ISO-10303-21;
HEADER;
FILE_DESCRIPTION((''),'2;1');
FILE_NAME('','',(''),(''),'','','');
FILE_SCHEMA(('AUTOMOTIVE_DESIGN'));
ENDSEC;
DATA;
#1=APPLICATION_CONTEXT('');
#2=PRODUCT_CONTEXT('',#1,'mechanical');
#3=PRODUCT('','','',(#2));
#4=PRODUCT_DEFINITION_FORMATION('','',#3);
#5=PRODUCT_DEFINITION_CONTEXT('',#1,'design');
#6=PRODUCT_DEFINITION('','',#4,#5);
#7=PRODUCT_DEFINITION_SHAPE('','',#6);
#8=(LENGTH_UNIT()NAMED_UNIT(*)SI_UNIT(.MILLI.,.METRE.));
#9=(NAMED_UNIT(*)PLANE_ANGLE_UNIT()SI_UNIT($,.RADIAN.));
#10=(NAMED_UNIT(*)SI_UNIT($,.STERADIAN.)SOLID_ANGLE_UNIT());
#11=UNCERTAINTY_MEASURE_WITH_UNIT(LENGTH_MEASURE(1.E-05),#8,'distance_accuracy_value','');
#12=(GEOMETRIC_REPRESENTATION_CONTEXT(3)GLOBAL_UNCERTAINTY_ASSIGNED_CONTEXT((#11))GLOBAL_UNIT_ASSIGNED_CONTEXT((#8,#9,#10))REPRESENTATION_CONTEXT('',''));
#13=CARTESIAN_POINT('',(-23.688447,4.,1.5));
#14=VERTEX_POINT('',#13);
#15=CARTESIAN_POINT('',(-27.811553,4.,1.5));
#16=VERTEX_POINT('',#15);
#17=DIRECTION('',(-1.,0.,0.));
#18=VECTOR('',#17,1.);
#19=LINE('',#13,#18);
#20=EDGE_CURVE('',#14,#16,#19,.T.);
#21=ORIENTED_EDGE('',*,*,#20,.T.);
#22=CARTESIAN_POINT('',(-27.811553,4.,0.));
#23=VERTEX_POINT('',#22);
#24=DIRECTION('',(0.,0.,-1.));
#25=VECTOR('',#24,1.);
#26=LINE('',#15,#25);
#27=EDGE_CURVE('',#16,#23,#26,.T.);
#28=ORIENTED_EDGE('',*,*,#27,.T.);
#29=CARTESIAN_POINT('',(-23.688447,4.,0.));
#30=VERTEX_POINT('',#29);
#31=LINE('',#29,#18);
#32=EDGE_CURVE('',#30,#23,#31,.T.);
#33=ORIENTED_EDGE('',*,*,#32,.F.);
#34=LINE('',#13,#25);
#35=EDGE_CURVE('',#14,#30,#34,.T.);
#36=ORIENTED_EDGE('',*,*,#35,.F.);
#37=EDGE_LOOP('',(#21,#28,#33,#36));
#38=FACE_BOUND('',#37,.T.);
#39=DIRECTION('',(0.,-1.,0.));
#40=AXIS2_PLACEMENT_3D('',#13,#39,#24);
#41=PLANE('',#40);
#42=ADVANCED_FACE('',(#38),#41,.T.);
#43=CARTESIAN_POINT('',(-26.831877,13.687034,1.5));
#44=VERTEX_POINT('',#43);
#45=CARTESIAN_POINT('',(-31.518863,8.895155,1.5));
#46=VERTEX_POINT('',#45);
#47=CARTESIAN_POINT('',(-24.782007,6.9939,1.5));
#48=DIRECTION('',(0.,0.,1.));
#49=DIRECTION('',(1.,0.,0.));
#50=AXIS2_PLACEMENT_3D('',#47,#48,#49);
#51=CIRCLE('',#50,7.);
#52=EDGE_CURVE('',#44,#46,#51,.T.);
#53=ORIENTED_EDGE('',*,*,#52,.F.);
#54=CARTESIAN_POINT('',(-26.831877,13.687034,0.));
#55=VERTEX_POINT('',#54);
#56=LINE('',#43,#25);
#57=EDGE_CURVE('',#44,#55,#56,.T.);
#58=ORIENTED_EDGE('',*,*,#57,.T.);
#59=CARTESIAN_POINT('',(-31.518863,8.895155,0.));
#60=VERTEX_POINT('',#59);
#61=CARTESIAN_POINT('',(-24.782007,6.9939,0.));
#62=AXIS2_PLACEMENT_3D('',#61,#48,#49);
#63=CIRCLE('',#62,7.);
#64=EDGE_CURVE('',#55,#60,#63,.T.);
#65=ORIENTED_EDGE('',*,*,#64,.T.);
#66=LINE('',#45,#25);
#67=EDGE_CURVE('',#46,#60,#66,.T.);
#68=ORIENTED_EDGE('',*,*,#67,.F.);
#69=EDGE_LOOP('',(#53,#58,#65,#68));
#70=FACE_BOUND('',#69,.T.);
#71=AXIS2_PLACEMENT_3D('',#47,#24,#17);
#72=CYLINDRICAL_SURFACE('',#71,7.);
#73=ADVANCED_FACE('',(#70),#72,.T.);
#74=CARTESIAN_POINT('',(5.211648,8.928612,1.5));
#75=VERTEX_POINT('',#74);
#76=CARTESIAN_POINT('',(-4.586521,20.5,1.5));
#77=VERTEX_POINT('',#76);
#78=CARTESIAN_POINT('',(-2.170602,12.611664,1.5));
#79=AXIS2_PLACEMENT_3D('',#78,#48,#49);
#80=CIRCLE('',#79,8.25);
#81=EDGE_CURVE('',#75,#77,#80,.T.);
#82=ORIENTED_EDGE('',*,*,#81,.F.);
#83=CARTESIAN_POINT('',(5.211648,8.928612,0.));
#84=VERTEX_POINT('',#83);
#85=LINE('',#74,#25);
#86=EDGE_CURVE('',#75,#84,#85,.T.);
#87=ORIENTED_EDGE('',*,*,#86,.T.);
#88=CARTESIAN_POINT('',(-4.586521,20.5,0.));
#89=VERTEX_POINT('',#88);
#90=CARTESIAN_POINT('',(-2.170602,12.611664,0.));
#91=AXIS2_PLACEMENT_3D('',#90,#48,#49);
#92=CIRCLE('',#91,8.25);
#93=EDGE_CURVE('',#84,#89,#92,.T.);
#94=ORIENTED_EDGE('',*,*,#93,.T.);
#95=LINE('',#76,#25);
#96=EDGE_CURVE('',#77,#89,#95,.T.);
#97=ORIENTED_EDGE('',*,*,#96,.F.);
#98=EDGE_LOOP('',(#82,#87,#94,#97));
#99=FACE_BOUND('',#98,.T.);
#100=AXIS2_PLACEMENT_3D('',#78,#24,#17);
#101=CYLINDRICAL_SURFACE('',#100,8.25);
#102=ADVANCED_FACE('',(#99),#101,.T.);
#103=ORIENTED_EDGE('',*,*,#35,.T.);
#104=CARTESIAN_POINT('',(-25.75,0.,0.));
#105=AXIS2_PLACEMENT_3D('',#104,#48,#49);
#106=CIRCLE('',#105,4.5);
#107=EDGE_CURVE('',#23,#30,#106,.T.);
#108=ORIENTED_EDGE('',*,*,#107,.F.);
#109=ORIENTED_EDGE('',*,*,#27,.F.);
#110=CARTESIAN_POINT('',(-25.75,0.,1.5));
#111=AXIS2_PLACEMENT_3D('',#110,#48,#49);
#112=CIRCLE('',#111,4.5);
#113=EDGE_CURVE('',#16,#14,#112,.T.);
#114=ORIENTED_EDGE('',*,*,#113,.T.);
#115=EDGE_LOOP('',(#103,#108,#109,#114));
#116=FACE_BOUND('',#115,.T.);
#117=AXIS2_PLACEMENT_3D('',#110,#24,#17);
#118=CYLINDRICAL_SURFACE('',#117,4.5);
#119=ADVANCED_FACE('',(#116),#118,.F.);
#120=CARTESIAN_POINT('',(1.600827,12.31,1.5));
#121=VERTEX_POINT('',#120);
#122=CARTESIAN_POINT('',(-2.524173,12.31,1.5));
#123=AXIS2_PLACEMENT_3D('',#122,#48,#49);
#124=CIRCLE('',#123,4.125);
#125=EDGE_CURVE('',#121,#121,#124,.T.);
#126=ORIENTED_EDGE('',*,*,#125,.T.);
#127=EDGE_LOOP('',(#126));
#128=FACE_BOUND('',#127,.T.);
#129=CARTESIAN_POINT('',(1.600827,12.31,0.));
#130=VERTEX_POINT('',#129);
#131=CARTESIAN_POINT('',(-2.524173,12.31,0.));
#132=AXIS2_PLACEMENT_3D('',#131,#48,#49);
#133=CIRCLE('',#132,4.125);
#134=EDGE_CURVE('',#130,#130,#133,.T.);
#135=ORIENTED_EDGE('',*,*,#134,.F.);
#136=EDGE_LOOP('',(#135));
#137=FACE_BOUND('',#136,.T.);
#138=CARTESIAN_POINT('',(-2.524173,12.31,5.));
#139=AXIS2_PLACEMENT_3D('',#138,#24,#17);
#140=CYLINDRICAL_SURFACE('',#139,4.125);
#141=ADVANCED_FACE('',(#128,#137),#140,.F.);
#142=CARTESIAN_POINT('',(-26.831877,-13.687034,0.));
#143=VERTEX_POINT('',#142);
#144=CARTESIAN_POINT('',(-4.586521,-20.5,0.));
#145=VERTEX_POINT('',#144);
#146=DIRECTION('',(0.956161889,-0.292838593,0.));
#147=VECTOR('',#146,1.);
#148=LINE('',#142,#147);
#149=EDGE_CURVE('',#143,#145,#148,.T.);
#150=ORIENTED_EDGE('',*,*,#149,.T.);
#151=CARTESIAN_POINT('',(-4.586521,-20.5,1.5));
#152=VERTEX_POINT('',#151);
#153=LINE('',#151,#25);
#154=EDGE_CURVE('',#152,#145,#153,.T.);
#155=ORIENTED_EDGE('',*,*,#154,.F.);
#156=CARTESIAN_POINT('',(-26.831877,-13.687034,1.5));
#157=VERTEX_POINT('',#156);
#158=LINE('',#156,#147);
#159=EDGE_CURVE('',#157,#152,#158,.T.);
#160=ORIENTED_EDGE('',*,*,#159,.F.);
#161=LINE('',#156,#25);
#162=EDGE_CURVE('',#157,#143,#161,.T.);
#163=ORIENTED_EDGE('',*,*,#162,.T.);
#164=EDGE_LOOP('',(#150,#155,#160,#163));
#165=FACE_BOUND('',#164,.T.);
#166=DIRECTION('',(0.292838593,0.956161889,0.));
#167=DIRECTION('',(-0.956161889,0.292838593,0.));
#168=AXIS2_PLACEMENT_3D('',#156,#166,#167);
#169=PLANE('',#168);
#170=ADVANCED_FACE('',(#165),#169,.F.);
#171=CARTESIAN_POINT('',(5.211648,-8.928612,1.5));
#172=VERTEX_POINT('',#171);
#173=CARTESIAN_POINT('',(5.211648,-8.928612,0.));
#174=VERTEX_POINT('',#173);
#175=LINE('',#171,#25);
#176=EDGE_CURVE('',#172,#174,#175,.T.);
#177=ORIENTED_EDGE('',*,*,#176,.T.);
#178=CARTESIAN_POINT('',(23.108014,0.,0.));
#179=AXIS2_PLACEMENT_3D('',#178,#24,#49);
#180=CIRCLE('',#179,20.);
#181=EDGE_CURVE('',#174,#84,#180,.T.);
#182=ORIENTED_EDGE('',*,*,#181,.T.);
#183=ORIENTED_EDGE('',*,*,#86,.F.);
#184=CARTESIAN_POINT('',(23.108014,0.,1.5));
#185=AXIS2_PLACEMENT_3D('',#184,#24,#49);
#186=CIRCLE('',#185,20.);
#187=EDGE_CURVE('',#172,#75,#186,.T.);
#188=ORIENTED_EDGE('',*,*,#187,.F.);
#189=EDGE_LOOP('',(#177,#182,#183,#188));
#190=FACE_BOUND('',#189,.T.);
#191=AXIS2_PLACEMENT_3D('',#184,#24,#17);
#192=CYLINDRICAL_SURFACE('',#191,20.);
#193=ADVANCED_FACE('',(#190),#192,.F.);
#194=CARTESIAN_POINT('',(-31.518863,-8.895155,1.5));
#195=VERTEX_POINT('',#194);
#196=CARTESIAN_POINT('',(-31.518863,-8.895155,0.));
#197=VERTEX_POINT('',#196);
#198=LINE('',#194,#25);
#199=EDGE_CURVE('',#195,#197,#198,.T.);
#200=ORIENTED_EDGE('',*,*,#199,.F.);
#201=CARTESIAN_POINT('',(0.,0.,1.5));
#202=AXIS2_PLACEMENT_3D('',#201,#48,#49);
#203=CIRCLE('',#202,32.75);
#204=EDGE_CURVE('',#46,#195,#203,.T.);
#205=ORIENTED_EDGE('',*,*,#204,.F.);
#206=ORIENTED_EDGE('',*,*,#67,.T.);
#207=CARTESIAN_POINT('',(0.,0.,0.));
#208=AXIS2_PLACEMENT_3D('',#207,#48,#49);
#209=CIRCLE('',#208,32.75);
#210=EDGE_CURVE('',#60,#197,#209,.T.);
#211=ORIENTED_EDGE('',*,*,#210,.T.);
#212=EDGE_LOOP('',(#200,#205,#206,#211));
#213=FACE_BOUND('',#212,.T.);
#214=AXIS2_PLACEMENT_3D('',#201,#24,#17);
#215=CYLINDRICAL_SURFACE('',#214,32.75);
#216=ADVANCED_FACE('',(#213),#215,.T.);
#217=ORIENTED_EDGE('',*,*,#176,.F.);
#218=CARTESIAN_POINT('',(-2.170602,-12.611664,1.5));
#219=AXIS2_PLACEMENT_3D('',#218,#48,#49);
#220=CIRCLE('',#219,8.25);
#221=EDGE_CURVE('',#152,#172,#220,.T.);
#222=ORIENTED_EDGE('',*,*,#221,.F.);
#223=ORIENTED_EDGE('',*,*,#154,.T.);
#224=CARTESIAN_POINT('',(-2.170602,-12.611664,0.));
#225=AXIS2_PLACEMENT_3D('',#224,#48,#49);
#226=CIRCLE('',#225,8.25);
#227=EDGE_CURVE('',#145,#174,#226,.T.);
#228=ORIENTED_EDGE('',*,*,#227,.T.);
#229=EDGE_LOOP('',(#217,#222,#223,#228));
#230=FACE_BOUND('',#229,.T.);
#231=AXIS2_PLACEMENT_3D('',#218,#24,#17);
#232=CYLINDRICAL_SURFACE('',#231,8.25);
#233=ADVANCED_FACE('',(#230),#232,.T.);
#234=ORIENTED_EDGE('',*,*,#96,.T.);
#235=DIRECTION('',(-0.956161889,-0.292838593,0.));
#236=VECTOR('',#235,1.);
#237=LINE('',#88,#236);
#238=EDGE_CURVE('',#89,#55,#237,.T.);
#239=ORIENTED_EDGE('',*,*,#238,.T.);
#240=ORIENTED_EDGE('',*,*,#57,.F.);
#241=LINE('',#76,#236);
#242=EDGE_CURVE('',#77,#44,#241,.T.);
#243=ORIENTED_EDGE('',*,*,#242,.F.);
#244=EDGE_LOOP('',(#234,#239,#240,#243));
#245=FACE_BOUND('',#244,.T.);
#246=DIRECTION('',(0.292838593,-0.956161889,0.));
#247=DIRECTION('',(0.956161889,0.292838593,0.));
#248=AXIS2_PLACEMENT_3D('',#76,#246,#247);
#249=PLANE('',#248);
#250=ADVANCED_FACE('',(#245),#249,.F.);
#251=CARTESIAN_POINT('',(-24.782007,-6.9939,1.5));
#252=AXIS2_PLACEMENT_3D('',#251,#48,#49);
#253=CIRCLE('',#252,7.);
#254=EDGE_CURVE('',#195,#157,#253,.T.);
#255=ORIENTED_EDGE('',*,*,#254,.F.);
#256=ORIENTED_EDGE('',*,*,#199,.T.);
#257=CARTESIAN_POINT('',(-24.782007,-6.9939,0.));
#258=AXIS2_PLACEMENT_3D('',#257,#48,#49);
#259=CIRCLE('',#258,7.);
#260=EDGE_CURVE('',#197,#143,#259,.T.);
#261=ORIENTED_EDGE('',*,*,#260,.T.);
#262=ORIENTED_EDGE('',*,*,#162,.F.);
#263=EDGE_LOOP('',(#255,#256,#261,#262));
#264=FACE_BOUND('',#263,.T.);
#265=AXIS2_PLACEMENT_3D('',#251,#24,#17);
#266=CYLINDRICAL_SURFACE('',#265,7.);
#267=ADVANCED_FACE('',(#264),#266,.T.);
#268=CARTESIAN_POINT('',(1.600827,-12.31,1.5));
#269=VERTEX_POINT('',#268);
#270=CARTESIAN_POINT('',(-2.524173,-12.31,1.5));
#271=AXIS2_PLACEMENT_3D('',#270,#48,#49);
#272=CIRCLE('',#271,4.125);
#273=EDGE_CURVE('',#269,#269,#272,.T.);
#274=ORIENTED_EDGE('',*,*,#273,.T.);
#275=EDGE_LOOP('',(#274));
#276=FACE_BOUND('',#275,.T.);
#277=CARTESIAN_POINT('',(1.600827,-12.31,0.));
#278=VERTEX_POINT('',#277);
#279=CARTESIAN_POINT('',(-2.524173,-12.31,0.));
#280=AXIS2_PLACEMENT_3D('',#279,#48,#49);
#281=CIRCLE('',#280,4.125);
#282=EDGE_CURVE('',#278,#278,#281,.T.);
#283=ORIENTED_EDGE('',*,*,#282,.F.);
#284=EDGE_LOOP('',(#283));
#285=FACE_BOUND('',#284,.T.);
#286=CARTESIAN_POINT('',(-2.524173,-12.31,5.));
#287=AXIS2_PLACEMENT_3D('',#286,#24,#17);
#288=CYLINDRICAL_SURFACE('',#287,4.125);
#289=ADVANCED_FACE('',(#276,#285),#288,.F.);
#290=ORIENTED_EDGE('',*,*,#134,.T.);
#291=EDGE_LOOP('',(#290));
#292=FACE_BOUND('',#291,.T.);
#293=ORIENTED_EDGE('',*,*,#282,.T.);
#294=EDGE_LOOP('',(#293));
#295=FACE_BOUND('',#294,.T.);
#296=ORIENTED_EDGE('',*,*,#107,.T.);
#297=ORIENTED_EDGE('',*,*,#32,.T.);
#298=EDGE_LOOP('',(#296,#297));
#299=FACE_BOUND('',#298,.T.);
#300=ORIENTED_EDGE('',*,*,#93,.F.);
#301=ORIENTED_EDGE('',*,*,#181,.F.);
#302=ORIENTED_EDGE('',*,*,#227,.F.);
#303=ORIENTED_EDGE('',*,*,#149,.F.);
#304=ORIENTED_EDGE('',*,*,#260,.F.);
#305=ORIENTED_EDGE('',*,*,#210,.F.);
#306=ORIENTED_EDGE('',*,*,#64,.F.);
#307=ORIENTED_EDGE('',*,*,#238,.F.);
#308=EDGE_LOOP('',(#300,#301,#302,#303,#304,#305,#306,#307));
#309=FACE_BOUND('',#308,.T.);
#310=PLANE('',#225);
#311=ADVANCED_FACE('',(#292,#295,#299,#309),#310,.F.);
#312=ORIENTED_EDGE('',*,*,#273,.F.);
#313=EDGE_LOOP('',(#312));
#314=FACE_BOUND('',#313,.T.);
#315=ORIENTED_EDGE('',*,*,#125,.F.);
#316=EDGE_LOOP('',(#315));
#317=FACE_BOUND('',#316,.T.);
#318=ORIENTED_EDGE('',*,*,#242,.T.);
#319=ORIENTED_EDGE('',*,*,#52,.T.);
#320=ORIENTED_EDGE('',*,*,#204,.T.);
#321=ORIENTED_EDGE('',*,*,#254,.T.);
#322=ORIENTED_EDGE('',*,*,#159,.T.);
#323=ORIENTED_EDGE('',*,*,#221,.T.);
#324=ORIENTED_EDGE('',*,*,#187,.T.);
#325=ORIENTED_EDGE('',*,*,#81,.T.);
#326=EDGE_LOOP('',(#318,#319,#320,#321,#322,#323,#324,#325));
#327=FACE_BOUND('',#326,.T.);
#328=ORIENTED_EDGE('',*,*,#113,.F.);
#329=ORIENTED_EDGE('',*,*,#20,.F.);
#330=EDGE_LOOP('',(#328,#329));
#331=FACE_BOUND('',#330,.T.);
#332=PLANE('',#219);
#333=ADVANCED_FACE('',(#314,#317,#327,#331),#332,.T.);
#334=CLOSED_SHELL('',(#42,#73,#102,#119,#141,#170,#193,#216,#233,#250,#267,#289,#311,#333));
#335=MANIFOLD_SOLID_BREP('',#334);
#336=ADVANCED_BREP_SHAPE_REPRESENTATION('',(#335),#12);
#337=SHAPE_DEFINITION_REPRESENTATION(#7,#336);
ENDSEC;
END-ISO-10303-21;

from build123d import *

# Parameters (mm, degrees)
BOSS_EXTRUDE1_DEPTH   = 1.5
IZIM1_R               = 4.125
KES_EKSTR_ZYON1_DEPTH = 5


with BuildPart() as part:
    # Sketch1 → Boss-Extrude1 (new body)
    with BuildSketch(Plane.XY):
        with BuildLine():
            Line((-4.586520611, 20.5), (-26.831876879, 13.6870336))
            ThreePointArc((-26.831876879, 13.6870336), (-29.786221501, 11.888574472), (-31.518862928, 8.895154845))
            ThreePointArc((-31.518862928, 8.895154845), (-32.75, 0), (-31.518862928, -8.895154845))
            ThreePointArc((-31.518862928, -8.895154845), (-29.786221501, -11.888574472), (-26.831876879, -13.6870336))
            Line((-26.831876879, -13.6870336), (-4.586520611, -20.5))
            ThreePointArc((-4.586520611, -20.5), (4.125457599, -17.942905427), (5.211648434, -8.928611974))
            ThreePointArc((5.211648434, -8.928611974), (3.108013658, 0), (5.211648434, 8.928611974))
            ThreePointArc((5.211648434, 8.928611974), (4.125457599, 17.942905427), (-4.586520611, 20.5))
        make_face()
        with BuildLine():
            Line((-23.688447187, 4), (-27.811552813, 4))
            ThreePointArc((-27.811552813, 4), (-25.75, -4.5), (-23.688447187, 4))
        make_face(mode=Mode.SUBTRACT)
    extrude(amount=BOSS_EXTRUDE1_DEPTH)

    # Çizim1 → Kes-Ekstrüzyon1 (cut, symmetric)
    with BuildSketch(Plane(origin=(0, 0, 0), x_dir=(-1, 0, 0), z_dir=(0, 0, -1))):
        with Locations(Location((2.524172848, -12.31, 0), (0, 0, 180))):
            Circle(IZIM1_R)
        with Locations(Location((2.524172848, 12.31, 0), (0, 0, 180))):
            Circle(IZIM1_R)
    extrude(amount=KES_EKSTR_ZYON1_DEPTH, both=True, mode=Mode.SUBTRACT)


solid = part.part
